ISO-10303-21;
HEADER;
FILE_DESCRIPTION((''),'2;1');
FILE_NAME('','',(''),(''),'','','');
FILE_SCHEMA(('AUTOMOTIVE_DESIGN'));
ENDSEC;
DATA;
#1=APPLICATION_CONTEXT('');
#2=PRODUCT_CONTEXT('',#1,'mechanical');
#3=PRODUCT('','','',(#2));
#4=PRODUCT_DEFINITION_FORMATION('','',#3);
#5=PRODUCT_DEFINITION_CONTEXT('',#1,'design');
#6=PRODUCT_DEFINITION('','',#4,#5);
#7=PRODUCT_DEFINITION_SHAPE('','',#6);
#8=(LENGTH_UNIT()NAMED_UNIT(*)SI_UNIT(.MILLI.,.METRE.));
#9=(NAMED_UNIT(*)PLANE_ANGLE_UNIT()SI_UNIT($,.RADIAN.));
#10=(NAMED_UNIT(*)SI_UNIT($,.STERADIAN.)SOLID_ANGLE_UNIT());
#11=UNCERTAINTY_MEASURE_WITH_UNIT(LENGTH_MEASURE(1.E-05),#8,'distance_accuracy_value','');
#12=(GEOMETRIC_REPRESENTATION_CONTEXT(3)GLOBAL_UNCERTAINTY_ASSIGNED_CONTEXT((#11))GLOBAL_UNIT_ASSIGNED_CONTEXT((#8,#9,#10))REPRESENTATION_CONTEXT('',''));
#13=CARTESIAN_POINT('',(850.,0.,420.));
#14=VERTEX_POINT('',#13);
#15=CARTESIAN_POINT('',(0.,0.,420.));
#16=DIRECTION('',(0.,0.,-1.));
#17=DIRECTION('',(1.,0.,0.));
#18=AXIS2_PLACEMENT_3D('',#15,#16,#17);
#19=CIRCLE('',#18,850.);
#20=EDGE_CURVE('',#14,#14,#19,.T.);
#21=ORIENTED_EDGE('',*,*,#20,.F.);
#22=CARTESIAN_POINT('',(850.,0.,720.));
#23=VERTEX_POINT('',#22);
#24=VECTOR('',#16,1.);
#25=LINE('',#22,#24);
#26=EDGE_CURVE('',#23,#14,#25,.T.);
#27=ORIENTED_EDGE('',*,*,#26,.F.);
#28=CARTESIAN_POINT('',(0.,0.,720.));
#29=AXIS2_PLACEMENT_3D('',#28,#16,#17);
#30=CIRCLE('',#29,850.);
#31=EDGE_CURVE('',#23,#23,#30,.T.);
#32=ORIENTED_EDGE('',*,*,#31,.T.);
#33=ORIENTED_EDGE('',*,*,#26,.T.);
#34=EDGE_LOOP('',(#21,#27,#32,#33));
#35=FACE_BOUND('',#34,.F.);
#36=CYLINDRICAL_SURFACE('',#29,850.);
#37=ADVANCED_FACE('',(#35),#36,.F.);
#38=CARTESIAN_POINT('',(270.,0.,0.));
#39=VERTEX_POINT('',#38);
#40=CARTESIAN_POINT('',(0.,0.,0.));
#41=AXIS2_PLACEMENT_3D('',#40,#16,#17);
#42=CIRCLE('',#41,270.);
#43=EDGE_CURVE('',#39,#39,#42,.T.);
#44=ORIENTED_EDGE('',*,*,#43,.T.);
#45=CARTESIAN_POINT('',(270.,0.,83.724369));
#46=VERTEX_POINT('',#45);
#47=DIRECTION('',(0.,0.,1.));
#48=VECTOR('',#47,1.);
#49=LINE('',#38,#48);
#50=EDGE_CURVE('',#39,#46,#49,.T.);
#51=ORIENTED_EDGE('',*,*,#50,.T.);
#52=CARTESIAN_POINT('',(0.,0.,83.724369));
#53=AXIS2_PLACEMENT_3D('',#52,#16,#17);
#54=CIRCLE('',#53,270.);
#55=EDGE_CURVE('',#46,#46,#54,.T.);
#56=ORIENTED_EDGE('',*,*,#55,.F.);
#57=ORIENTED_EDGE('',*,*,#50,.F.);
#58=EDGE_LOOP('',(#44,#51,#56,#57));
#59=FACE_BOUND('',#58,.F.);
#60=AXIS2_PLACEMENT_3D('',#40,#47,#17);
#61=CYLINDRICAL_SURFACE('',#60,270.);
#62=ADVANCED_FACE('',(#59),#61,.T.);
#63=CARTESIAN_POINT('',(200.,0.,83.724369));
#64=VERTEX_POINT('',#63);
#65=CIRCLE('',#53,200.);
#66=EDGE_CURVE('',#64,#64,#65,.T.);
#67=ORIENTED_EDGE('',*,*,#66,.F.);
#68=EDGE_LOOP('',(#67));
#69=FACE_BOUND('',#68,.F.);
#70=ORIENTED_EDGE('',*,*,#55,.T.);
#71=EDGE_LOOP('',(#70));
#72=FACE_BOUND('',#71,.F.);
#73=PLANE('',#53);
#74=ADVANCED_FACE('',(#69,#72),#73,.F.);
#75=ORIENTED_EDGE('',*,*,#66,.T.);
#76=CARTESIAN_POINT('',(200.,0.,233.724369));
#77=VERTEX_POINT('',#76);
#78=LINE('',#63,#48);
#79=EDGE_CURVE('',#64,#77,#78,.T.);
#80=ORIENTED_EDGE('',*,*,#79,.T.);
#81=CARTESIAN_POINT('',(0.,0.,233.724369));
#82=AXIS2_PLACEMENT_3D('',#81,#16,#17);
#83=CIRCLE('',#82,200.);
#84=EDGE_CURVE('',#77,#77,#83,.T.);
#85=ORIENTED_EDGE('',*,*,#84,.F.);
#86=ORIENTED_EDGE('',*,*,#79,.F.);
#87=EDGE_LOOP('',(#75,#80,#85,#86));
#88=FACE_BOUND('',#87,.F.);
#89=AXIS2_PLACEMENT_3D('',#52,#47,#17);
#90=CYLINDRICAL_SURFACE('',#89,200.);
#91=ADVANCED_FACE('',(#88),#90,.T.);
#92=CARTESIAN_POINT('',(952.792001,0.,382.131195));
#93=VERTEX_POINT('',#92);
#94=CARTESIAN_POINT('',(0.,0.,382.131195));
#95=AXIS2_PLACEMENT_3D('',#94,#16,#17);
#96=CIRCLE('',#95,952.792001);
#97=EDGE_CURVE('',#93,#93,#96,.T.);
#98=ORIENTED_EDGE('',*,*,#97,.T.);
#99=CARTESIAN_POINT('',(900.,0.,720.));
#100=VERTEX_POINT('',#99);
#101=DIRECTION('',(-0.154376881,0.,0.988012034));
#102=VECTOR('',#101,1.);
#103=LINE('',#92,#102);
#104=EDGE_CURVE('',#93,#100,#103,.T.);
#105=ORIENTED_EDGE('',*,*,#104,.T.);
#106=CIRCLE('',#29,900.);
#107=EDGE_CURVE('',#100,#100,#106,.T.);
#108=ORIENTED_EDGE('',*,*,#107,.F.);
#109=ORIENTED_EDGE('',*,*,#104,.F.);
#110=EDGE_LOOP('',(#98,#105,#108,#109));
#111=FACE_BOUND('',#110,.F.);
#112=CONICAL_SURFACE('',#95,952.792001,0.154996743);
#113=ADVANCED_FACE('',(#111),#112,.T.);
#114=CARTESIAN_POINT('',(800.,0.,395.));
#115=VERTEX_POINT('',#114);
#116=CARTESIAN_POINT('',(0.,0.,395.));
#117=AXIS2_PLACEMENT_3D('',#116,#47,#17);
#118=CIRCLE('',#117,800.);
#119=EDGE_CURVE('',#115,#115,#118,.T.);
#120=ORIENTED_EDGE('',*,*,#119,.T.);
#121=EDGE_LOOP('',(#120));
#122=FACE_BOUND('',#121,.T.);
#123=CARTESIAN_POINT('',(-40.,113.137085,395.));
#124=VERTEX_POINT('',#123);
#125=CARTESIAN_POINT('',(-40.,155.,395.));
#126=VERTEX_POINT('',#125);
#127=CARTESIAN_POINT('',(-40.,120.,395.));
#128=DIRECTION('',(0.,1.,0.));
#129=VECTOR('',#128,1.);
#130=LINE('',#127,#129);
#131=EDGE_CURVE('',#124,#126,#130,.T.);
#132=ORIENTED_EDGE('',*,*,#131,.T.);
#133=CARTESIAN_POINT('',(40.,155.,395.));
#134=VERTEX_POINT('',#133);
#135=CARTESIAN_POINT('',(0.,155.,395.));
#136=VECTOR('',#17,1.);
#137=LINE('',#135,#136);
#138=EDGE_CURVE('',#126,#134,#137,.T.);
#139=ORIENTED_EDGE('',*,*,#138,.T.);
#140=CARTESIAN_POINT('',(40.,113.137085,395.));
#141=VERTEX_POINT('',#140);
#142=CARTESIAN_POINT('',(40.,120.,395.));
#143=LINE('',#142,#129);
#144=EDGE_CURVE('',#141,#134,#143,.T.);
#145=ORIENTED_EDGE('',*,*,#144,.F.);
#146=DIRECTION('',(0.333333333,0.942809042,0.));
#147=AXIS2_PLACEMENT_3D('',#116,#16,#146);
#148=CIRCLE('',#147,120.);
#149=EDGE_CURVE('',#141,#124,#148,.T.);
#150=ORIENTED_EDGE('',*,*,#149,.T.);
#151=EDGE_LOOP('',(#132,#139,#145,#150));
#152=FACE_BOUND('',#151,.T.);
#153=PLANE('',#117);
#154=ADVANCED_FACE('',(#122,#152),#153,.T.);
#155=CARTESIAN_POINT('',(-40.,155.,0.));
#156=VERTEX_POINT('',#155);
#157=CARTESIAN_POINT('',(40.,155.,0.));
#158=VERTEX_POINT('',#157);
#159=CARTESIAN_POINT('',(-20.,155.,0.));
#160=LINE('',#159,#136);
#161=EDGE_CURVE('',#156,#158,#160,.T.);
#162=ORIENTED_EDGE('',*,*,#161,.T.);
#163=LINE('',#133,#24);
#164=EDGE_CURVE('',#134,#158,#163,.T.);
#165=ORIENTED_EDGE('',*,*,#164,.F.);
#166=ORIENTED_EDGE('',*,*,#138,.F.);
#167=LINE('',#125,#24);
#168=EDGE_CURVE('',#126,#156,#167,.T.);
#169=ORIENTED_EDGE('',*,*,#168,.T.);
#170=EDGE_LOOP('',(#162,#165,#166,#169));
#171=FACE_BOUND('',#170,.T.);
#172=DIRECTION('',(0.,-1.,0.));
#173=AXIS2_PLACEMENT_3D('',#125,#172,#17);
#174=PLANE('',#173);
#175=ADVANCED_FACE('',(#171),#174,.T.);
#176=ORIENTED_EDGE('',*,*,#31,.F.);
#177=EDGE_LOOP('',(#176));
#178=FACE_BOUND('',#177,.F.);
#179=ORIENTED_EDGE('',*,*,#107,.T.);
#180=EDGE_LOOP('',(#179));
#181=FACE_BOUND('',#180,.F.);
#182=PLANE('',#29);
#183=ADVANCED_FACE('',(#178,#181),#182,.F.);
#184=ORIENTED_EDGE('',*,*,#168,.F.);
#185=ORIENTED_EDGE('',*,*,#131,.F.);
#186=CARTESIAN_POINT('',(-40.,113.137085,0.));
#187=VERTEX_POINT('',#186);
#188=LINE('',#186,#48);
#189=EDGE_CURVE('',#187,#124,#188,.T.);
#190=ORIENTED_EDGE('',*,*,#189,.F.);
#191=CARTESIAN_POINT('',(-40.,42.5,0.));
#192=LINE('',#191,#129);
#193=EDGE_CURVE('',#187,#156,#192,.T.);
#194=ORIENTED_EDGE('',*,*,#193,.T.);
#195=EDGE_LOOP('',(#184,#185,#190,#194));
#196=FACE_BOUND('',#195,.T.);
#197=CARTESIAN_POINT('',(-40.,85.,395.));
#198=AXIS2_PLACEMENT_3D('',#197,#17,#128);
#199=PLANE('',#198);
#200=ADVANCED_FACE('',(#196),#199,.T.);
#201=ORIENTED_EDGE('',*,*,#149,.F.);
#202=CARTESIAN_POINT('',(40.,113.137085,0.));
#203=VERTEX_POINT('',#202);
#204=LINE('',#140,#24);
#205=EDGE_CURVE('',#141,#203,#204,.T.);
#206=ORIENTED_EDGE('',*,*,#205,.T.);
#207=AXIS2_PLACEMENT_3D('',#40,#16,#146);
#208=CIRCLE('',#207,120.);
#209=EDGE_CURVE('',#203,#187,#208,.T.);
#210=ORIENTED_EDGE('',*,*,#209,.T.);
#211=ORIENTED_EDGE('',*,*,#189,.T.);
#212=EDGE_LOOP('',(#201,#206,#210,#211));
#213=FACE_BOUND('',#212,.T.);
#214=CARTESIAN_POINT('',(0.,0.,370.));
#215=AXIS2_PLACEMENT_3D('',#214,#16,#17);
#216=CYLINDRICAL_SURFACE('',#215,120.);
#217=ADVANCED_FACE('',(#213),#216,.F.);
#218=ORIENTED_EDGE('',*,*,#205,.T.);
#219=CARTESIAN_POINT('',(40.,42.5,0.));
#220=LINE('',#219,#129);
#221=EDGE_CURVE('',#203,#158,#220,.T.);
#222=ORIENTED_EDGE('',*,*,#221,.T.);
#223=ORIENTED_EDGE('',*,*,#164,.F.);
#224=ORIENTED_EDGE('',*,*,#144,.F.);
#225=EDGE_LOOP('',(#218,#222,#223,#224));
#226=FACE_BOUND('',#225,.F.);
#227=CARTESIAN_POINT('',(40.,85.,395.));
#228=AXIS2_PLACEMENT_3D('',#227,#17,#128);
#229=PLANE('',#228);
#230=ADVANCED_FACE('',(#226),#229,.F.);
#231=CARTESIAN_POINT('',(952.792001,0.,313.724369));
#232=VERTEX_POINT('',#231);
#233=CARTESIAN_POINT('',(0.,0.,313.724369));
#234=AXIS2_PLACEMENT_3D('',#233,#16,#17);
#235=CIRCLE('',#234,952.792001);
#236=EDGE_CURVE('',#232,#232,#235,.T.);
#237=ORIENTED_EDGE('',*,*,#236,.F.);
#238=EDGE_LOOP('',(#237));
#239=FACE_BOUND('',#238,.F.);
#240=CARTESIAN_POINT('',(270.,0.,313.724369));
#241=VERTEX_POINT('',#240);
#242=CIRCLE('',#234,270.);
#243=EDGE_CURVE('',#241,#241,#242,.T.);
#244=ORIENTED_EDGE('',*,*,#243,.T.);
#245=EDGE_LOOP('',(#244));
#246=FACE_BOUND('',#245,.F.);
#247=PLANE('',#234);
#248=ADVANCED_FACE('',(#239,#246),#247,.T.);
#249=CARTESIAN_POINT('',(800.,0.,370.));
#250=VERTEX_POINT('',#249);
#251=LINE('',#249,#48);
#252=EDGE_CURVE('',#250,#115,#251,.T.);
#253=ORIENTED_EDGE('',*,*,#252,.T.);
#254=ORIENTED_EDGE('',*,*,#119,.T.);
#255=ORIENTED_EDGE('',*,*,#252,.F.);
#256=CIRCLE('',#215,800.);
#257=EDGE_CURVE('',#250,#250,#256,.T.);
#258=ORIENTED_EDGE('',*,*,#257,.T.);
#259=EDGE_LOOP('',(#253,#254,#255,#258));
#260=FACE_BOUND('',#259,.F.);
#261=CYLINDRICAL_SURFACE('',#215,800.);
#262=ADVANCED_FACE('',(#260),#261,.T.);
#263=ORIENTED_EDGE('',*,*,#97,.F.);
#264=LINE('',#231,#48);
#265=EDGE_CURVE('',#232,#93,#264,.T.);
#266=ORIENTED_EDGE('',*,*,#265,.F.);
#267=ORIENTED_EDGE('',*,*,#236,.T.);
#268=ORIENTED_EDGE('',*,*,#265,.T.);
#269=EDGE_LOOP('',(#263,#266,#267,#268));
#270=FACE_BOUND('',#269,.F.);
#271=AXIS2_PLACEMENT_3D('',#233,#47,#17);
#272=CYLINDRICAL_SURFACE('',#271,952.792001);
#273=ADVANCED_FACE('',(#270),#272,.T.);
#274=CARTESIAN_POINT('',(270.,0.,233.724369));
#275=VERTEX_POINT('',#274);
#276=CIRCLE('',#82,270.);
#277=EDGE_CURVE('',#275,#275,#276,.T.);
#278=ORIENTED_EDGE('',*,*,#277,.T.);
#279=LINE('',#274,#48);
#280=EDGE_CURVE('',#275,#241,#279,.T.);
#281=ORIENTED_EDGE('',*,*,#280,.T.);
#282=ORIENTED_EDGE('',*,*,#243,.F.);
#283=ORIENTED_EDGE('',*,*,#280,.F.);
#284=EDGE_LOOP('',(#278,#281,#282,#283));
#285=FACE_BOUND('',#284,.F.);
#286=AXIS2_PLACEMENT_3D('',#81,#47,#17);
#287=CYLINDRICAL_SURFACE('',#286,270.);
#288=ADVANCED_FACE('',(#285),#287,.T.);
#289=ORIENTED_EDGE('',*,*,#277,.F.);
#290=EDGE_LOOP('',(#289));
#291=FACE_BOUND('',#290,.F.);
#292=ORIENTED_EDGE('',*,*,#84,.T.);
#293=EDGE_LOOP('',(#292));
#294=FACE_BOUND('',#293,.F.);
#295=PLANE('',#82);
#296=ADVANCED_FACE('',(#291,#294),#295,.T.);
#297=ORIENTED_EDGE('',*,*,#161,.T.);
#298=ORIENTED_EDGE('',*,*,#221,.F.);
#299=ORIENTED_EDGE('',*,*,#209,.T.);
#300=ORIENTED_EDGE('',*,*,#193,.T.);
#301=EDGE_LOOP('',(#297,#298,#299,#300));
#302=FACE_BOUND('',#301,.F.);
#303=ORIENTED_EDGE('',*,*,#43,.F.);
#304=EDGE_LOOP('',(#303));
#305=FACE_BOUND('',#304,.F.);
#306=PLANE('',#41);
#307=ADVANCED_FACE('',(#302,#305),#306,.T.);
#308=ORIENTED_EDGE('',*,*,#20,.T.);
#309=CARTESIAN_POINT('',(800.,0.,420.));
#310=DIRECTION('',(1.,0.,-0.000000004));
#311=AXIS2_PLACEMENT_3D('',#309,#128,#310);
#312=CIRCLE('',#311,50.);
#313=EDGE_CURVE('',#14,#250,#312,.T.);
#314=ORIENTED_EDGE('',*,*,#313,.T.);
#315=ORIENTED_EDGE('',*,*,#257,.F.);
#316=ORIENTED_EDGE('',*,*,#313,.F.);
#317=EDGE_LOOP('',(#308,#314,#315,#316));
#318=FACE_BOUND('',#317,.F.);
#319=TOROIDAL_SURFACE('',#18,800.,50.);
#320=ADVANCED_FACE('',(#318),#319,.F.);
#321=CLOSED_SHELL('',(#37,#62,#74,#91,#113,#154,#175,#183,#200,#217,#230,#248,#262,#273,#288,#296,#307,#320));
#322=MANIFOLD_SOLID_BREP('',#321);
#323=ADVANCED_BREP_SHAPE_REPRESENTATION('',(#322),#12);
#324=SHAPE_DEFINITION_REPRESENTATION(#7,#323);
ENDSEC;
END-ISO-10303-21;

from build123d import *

# Parameters (mm, degrees)
F2_R     = 800
F2_R_2   = 120
F3_DEPTH = 25
F4_W     = 80
F4_H     = 70
F5_DEPTH = 395.001


with BuildPart() as f1:
    # F0 (on Front) → F1 (revolve)
    with BuildSketch(Plane.XZ):
        with BuildLine():
            Line((120, 370), (120, 0))
            Line((120, 0), (270, 0))
            Line((270, 0), (270, 83.724369))
            Line((270, 83.724369), (200, 83.724369))
            Line((200, 83.724369), (200, 233.724369))
            Line((200, 233.724369), (270, 233.724369))
            Line((270, 233.724369), (270, 313.724369))
            Line((270, 313.724369), (952.792001, 313.724369))
            Line((952.792001, 313.724369), (952.792001, 382.131195))
            Line((952.792001, 382.131195), (900, 720))
            Line((900, 720), (850, 720))
            Line((850, 720), (850, 420))
            ThreePointArc((850, 420), (835.355339, 384.644661), (800, 370))
            Line((800, 370), (120, 370))
        make_face()
    revolve(axis=Axis((0, 0, -17.114428), (0, 0, -1)))

    # F2 (on face) → F3 (join)
    with BuildSketch(Plane.XY.offset(370)):
        Circle(F2_R)
        Circle(F2_R_2, mode=Mode.SUBTRACT)
    extrude(amount=F3_DEPTH)

    # F4 (on face) → F5 (cut, through all)
    with BuildSketch(Plane.XY.offset(395)):
        with Locations((0, 120)):
            Rectangle(F4_W, F4_H)
    extrude(amount=-F5_DEPTH, mode=Mode.SUBTRACT)


solid = f1.part
